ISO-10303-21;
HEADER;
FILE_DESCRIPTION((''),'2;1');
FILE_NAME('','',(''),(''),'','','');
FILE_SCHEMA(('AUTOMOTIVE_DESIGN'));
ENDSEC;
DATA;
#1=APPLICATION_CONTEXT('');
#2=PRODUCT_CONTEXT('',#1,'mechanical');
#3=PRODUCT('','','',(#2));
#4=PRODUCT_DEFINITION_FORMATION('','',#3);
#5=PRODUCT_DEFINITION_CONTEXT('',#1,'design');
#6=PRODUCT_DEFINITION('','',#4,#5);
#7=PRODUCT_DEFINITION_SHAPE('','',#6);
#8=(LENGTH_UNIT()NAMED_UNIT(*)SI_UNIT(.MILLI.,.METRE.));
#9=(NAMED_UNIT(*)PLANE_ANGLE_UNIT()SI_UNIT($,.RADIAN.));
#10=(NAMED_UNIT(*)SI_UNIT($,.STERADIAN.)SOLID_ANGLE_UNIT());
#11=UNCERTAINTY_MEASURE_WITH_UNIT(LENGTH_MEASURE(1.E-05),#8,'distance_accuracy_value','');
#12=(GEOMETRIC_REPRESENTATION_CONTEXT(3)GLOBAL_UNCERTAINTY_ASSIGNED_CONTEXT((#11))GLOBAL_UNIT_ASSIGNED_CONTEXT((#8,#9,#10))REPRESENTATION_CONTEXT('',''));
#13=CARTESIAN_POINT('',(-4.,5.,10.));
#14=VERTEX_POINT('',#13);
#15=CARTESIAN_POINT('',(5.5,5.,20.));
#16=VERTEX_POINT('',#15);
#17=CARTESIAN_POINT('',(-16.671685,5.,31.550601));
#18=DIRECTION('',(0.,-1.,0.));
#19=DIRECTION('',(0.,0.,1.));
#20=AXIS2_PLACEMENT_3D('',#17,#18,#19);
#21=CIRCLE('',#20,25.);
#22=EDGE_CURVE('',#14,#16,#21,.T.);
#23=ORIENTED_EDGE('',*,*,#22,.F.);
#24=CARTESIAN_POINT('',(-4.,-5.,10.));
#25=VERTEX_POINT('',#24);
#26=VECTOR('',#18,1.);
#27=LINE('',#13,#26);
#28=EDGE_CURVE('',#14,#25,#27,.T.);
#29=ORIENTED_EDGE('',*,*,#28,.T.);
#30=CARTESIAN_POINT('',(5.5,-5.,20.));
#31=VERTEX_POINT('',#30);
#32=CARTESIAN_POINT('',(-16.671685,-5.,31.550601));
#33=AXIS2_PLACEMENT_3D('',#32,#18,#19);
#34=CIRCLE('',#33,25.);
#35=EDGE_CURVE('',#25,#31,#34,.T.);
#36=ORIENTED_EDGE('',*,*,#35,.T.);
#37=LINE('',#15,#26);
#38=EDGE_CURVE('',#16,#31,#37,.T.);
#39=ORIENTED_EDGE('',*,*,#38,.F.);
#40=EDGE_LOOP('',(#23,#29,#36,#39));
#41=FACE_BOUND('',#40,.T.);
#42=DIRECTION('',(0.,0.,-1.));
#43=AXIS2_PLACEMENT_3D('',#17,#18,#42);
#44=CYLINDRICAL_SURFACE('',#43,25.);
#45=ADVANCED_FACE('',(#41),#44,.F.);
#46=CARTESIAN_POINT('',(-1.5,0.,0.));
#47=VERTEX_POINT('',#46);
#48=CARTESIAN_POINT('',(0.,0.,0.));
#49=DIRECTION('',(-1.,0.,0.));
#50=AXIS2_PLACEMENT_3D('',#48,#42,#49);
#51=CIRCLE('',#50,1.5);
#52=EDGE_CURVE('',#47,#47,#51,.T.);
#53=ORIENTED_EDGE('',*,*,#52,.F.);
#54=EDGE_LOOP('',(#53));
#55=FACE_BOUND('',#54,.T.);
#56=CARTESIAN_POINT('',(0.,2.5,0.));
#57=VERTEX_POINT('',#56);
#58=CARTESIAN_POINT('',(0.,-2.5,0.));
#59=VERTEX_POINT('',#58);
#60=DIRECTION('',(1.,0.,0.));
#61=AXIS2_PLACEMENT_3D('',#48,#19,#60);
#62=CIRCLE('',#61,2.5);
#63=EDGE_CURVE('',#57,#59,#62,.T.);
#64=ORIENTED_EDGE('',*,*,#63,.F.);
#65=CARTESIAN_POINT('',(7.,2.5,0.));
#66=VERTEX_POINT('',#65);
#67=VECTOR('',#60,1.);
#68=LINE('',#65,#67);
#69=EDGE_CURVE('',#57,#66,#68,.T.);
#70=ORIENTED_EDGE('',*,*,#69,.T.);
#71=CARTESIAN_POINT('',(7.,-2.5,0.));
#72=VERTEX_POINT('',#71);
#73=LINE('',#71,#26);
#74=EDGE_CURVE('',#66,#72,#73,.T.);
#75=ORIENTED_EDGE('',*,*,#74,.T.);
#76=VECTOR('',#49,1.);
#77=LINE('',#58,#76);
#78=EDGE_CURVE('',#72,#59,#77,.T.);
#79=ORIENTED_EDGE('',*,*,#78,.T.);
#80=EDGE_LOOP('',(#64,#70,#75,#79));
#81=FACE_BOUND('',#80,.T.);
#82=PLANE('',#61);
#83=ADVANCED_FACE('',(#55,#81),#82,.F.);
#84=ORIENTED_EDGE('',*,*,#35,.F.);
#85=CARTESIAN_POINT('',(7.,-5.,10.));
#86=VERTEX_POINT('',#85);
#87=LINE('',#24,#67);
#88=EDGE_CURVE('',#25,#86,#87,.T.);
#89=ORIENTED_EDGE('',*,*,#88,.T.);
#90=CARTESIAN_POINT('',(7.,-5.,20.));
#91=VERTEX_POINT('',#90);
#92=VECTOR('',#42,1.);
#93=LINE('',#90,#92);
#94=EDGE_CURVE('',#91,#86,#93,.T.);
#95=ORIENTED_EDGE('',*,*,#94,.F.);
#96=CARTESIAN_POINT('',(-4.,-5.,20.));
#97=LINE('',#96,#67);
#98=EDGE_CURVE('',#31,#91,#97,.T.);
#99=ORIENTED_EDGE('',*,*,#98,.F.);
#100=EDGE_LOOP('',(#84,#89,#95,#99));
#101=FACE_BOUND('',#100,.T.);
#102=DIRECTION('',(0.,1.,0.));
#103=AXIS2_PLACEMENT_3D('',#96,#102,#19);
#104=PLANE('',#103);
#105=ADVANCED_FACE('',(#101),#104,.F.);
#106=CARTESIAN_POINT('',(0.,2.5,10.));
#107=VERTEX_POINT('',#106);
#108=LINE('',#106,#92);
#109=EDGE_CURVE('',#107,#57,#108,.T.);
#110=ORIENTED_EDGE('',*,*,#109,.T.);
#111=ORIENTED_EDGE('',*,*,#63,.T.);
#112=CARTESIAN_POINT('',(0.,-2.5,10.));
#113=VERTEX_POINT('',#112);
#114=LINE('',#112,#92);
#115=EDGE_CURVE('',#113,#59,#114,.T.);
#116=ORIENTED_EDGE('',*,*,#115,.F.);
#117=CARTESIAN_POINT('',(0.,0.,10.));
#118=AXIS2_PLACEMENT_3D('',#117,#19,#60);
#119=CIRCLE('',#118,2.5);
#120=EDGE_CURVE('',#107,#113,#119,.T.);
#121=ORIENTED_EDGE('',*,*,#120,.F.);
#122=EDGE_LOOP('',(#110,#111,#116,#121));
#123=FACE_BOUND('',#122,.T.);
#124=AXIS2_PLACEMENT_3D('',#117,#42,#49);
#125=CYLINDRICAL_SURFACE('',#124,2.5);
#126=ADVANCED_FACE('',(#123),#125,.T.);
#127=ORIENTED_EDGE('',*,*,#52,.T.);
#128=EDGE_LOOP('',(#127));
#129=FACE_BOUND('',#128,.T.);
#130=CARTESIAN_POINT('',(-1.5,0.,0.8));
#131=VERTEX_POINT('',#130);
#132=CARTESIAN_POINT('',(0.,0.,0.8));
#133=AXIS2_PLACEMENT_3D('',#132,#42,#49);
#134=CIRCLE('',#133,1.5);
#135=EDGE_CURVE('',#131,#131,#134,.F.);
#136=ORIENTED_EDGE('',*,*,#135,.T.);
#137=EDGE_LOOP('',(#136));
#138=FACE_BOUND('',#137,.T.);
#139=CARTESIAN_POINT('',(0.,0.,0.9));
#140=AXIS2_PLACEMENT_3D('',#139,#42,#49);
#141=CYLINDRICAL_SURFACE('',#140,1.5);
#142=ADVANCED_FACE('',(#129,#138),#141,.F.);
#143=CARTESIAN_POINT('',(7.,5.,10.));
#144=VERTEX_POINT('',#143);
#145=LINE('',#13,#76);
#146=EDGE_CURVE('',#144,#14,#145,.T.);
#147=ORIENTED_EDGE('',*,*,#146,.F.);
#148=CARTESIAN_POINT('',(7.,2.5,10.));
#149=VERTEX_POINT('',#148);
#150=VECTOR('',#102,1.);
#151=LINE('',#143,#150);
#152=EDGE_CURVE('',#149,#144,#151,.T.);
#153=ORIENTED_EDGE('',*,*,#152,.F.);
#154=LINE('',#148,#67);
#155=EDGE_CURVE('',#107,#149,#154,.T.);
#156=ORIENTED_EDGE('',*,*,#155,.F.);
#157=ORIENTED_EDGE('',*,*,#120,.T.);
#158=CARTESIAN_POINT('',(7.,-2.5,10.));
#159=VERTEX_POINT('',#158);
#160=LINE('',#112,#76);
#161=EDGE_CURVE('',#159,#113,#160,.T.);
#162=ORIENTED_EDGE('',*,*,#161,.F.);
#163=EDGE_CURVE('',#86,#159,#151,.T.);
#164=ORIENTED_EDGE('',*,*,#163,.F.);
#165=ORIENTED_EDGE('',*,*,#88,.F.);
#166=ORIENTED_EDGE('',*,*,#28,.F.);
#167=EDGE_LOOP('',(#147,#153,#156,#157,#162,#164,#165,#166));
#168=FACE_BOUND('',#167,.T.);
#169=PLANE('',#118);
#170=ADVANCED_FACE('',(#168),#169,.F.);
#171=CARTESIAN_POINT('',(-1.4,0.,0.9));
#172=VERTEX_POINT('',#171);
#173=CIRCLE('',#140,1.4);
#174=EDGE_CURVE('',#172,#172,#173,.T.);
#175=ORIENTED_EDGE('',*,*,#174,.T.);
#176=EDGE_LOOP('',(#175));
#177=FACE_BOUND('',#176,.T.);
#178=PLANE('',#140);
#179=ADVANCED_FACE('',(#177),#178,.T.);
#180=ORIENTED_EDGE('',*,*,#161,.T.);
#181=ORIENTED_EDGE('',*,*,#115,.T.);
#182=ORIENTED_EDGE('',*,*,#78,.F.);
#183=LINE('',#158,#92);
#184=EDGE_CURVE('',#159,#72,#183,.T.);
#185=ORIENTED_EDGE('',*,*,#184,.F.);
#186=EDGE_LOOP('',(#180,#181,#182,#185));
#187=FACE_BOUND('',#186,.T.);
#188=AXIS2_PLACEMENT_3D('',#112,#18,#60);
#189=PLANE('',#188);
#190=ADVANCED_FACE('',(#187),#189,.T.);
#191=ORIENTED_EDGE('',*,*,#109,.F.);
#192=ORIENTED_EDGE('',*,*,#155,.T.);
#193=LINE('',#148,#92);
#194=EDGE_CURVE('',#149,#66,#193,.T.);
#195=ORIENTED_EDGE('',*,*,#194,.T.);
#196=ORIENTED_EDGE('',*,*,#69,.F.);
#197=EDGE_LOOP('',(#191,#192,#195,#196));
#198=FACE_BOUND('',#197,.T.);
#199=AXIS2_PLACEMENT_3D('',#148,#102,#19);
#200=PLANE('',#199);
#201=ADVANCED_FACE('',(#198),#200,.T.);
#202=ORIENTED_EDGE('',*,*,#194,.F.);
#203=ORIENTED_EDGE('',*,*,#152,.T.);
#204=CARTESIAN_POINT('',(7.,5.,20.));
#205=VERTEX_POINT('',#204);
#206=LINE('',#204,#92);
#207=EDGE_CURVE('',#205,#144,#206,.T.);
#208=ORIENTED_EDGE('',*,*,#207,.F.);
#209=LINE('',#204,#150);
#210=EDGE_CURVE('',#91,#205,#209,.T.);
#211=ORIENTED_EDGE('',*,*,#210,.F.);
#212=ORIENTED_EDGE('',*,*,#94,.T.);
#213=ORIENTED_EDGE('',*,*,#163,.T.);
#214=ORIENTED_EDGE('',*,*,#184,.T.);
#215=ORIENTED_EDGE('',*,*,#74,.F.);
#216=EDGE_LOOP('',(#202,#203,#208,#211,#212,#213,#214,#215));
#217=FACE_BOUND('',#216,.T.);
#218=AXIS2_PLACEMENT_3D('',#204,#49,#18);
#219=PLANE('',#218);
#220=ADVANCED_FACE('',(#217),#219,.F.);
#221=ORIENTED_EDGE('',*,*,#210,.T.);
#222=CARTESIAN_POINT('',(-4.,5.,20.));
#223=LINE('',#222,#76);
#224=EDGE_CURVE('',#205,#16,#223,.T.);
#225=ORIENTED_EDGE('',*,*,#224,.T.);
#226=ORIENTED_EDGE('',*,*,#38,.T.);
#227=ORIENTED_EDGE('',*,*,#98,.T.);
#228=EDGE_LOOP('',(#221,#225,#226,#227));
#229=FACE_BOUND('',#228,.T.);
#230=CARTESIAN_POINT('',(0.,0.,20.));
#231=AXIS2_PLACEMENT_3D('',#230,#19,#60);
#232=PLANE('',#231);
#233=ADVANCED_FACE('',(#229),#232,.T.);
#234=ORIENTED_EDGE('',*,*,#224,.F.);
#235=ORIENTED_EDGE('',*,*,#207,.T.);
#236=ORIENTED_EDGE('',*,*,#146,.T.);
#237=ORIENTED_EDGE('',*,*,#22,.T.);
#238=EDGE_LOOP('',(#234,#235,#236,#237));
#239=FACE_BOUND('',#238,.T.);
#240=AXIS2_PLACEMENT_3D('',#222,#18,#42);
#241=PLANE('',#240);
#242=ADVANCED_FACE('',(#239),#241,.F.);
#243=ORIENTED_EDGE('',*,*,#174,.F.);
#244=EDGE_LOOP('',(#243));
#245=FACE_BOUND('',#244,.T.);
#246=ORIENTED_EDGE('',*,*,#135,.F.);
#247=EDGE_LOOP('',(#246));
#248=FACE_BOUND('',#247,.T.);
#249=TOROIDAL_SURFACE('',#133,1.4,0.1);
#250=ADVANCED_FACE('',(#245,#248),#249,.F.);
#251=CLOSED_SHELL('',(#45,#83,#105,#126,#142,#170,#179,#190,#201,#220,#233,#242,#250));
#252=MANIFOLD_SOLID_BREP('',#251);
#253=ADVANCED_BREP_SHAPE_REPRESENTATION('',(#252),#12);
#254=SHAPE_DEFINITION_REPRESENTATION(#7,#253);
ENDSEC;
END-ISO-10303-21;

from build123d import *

# Parameters (mm, degrees)
CROQUIS1_R              = 2.5
SALIENTE_EXTRUIR1_DEPTH = 10
CROQUIS2_R              = 1.5
CORTAR_EXTRUIR1_DEPTH   = 0.9
REDONDEO1_R             = 0.1
CROQUIS3_W              = 11
CROQUIS3_H              = 10
SALIENTE_EXTRUIR2_DEPTH = 10
CORTAR_EXTRUIR2_DEPTH   = 24.430749028
SALIENTE_EXTRUIR3_DEPTH = 10


with BuildPart() as part:
    # Croquis1 → Saliente-Extruir1 (new body)
    with BuildSketch(Plane.XY):
        Circle(CROQUIS1_R)
    extrude(amount=SALIENTE_EXTRUIR1_DEPTH)

    # Croquis2 → Cortar-Extruir1 (cut)
    with BuildSketch(Plane(origin=(0, 0, 0), x_dir=(-1, 0, 0), z_dir=(0, 0, -1))):
        Circle(CROQUIS2_R)
    extrude(amount=-CORTAR_EXTRUIR1_DEPTH, mode=Mode.SUBTRACT)

    # Redondeo1
    redondeo1_edges = [part.edges().sort_by_distance(p)[0] for p in [
        (1.5, 0, 0.9),
    ]]
    fillet(redondeo1_edges, radius=REDONDEO1_R)

    # Croquis3 → Saliente-Extruir2 (add)
    with BuildSketch(Plane.XY.offset(10)):
        with Locations((1.5, 0)):
            Rectangle(CROQUIS3_W, CROQUIS3_H)
    extrude(amount=SALIENTE_EXTRUIR2_DEPTH)

    # Croquis4 → Cortar-Extruir2 (cut, through all)
    with BuildSketch(Plane.XZ.offset(5)):
        with BuildLine():
            Line((-4, 20), (-4, 10))
            ThreePointArc((-4, 10), (1.453300741, 14.331864296), (5.5, 20))
            Line((5.5, 20), (-4, 20))
        make_face()
    extrude(amount=-CORTAR_EXTRUIR2_DEPTH, mode=Mode.SUBTRACT)

    # Croquis5 → Saliente-Extruir3 (add)
    with BuildSketch(Plane(origin=(0, 0, 0), x_dir=(-1, 0, 0), z_dir=(0, 0, -1))):
        with BuildLine():
            Line((0, -2.5), (-7, -2.5))
            Line((-7, -2.5), (-7, 2.5))
            Line((-7, 2.5), (0, 2.5))
            ThreePointArc((0, 2.5), (-2.5, 0), (0, -2.5))
        make_face()
    extrude(amount=-SALIENTE_EXTRUIR3_DEPTH)


solid = part.part
